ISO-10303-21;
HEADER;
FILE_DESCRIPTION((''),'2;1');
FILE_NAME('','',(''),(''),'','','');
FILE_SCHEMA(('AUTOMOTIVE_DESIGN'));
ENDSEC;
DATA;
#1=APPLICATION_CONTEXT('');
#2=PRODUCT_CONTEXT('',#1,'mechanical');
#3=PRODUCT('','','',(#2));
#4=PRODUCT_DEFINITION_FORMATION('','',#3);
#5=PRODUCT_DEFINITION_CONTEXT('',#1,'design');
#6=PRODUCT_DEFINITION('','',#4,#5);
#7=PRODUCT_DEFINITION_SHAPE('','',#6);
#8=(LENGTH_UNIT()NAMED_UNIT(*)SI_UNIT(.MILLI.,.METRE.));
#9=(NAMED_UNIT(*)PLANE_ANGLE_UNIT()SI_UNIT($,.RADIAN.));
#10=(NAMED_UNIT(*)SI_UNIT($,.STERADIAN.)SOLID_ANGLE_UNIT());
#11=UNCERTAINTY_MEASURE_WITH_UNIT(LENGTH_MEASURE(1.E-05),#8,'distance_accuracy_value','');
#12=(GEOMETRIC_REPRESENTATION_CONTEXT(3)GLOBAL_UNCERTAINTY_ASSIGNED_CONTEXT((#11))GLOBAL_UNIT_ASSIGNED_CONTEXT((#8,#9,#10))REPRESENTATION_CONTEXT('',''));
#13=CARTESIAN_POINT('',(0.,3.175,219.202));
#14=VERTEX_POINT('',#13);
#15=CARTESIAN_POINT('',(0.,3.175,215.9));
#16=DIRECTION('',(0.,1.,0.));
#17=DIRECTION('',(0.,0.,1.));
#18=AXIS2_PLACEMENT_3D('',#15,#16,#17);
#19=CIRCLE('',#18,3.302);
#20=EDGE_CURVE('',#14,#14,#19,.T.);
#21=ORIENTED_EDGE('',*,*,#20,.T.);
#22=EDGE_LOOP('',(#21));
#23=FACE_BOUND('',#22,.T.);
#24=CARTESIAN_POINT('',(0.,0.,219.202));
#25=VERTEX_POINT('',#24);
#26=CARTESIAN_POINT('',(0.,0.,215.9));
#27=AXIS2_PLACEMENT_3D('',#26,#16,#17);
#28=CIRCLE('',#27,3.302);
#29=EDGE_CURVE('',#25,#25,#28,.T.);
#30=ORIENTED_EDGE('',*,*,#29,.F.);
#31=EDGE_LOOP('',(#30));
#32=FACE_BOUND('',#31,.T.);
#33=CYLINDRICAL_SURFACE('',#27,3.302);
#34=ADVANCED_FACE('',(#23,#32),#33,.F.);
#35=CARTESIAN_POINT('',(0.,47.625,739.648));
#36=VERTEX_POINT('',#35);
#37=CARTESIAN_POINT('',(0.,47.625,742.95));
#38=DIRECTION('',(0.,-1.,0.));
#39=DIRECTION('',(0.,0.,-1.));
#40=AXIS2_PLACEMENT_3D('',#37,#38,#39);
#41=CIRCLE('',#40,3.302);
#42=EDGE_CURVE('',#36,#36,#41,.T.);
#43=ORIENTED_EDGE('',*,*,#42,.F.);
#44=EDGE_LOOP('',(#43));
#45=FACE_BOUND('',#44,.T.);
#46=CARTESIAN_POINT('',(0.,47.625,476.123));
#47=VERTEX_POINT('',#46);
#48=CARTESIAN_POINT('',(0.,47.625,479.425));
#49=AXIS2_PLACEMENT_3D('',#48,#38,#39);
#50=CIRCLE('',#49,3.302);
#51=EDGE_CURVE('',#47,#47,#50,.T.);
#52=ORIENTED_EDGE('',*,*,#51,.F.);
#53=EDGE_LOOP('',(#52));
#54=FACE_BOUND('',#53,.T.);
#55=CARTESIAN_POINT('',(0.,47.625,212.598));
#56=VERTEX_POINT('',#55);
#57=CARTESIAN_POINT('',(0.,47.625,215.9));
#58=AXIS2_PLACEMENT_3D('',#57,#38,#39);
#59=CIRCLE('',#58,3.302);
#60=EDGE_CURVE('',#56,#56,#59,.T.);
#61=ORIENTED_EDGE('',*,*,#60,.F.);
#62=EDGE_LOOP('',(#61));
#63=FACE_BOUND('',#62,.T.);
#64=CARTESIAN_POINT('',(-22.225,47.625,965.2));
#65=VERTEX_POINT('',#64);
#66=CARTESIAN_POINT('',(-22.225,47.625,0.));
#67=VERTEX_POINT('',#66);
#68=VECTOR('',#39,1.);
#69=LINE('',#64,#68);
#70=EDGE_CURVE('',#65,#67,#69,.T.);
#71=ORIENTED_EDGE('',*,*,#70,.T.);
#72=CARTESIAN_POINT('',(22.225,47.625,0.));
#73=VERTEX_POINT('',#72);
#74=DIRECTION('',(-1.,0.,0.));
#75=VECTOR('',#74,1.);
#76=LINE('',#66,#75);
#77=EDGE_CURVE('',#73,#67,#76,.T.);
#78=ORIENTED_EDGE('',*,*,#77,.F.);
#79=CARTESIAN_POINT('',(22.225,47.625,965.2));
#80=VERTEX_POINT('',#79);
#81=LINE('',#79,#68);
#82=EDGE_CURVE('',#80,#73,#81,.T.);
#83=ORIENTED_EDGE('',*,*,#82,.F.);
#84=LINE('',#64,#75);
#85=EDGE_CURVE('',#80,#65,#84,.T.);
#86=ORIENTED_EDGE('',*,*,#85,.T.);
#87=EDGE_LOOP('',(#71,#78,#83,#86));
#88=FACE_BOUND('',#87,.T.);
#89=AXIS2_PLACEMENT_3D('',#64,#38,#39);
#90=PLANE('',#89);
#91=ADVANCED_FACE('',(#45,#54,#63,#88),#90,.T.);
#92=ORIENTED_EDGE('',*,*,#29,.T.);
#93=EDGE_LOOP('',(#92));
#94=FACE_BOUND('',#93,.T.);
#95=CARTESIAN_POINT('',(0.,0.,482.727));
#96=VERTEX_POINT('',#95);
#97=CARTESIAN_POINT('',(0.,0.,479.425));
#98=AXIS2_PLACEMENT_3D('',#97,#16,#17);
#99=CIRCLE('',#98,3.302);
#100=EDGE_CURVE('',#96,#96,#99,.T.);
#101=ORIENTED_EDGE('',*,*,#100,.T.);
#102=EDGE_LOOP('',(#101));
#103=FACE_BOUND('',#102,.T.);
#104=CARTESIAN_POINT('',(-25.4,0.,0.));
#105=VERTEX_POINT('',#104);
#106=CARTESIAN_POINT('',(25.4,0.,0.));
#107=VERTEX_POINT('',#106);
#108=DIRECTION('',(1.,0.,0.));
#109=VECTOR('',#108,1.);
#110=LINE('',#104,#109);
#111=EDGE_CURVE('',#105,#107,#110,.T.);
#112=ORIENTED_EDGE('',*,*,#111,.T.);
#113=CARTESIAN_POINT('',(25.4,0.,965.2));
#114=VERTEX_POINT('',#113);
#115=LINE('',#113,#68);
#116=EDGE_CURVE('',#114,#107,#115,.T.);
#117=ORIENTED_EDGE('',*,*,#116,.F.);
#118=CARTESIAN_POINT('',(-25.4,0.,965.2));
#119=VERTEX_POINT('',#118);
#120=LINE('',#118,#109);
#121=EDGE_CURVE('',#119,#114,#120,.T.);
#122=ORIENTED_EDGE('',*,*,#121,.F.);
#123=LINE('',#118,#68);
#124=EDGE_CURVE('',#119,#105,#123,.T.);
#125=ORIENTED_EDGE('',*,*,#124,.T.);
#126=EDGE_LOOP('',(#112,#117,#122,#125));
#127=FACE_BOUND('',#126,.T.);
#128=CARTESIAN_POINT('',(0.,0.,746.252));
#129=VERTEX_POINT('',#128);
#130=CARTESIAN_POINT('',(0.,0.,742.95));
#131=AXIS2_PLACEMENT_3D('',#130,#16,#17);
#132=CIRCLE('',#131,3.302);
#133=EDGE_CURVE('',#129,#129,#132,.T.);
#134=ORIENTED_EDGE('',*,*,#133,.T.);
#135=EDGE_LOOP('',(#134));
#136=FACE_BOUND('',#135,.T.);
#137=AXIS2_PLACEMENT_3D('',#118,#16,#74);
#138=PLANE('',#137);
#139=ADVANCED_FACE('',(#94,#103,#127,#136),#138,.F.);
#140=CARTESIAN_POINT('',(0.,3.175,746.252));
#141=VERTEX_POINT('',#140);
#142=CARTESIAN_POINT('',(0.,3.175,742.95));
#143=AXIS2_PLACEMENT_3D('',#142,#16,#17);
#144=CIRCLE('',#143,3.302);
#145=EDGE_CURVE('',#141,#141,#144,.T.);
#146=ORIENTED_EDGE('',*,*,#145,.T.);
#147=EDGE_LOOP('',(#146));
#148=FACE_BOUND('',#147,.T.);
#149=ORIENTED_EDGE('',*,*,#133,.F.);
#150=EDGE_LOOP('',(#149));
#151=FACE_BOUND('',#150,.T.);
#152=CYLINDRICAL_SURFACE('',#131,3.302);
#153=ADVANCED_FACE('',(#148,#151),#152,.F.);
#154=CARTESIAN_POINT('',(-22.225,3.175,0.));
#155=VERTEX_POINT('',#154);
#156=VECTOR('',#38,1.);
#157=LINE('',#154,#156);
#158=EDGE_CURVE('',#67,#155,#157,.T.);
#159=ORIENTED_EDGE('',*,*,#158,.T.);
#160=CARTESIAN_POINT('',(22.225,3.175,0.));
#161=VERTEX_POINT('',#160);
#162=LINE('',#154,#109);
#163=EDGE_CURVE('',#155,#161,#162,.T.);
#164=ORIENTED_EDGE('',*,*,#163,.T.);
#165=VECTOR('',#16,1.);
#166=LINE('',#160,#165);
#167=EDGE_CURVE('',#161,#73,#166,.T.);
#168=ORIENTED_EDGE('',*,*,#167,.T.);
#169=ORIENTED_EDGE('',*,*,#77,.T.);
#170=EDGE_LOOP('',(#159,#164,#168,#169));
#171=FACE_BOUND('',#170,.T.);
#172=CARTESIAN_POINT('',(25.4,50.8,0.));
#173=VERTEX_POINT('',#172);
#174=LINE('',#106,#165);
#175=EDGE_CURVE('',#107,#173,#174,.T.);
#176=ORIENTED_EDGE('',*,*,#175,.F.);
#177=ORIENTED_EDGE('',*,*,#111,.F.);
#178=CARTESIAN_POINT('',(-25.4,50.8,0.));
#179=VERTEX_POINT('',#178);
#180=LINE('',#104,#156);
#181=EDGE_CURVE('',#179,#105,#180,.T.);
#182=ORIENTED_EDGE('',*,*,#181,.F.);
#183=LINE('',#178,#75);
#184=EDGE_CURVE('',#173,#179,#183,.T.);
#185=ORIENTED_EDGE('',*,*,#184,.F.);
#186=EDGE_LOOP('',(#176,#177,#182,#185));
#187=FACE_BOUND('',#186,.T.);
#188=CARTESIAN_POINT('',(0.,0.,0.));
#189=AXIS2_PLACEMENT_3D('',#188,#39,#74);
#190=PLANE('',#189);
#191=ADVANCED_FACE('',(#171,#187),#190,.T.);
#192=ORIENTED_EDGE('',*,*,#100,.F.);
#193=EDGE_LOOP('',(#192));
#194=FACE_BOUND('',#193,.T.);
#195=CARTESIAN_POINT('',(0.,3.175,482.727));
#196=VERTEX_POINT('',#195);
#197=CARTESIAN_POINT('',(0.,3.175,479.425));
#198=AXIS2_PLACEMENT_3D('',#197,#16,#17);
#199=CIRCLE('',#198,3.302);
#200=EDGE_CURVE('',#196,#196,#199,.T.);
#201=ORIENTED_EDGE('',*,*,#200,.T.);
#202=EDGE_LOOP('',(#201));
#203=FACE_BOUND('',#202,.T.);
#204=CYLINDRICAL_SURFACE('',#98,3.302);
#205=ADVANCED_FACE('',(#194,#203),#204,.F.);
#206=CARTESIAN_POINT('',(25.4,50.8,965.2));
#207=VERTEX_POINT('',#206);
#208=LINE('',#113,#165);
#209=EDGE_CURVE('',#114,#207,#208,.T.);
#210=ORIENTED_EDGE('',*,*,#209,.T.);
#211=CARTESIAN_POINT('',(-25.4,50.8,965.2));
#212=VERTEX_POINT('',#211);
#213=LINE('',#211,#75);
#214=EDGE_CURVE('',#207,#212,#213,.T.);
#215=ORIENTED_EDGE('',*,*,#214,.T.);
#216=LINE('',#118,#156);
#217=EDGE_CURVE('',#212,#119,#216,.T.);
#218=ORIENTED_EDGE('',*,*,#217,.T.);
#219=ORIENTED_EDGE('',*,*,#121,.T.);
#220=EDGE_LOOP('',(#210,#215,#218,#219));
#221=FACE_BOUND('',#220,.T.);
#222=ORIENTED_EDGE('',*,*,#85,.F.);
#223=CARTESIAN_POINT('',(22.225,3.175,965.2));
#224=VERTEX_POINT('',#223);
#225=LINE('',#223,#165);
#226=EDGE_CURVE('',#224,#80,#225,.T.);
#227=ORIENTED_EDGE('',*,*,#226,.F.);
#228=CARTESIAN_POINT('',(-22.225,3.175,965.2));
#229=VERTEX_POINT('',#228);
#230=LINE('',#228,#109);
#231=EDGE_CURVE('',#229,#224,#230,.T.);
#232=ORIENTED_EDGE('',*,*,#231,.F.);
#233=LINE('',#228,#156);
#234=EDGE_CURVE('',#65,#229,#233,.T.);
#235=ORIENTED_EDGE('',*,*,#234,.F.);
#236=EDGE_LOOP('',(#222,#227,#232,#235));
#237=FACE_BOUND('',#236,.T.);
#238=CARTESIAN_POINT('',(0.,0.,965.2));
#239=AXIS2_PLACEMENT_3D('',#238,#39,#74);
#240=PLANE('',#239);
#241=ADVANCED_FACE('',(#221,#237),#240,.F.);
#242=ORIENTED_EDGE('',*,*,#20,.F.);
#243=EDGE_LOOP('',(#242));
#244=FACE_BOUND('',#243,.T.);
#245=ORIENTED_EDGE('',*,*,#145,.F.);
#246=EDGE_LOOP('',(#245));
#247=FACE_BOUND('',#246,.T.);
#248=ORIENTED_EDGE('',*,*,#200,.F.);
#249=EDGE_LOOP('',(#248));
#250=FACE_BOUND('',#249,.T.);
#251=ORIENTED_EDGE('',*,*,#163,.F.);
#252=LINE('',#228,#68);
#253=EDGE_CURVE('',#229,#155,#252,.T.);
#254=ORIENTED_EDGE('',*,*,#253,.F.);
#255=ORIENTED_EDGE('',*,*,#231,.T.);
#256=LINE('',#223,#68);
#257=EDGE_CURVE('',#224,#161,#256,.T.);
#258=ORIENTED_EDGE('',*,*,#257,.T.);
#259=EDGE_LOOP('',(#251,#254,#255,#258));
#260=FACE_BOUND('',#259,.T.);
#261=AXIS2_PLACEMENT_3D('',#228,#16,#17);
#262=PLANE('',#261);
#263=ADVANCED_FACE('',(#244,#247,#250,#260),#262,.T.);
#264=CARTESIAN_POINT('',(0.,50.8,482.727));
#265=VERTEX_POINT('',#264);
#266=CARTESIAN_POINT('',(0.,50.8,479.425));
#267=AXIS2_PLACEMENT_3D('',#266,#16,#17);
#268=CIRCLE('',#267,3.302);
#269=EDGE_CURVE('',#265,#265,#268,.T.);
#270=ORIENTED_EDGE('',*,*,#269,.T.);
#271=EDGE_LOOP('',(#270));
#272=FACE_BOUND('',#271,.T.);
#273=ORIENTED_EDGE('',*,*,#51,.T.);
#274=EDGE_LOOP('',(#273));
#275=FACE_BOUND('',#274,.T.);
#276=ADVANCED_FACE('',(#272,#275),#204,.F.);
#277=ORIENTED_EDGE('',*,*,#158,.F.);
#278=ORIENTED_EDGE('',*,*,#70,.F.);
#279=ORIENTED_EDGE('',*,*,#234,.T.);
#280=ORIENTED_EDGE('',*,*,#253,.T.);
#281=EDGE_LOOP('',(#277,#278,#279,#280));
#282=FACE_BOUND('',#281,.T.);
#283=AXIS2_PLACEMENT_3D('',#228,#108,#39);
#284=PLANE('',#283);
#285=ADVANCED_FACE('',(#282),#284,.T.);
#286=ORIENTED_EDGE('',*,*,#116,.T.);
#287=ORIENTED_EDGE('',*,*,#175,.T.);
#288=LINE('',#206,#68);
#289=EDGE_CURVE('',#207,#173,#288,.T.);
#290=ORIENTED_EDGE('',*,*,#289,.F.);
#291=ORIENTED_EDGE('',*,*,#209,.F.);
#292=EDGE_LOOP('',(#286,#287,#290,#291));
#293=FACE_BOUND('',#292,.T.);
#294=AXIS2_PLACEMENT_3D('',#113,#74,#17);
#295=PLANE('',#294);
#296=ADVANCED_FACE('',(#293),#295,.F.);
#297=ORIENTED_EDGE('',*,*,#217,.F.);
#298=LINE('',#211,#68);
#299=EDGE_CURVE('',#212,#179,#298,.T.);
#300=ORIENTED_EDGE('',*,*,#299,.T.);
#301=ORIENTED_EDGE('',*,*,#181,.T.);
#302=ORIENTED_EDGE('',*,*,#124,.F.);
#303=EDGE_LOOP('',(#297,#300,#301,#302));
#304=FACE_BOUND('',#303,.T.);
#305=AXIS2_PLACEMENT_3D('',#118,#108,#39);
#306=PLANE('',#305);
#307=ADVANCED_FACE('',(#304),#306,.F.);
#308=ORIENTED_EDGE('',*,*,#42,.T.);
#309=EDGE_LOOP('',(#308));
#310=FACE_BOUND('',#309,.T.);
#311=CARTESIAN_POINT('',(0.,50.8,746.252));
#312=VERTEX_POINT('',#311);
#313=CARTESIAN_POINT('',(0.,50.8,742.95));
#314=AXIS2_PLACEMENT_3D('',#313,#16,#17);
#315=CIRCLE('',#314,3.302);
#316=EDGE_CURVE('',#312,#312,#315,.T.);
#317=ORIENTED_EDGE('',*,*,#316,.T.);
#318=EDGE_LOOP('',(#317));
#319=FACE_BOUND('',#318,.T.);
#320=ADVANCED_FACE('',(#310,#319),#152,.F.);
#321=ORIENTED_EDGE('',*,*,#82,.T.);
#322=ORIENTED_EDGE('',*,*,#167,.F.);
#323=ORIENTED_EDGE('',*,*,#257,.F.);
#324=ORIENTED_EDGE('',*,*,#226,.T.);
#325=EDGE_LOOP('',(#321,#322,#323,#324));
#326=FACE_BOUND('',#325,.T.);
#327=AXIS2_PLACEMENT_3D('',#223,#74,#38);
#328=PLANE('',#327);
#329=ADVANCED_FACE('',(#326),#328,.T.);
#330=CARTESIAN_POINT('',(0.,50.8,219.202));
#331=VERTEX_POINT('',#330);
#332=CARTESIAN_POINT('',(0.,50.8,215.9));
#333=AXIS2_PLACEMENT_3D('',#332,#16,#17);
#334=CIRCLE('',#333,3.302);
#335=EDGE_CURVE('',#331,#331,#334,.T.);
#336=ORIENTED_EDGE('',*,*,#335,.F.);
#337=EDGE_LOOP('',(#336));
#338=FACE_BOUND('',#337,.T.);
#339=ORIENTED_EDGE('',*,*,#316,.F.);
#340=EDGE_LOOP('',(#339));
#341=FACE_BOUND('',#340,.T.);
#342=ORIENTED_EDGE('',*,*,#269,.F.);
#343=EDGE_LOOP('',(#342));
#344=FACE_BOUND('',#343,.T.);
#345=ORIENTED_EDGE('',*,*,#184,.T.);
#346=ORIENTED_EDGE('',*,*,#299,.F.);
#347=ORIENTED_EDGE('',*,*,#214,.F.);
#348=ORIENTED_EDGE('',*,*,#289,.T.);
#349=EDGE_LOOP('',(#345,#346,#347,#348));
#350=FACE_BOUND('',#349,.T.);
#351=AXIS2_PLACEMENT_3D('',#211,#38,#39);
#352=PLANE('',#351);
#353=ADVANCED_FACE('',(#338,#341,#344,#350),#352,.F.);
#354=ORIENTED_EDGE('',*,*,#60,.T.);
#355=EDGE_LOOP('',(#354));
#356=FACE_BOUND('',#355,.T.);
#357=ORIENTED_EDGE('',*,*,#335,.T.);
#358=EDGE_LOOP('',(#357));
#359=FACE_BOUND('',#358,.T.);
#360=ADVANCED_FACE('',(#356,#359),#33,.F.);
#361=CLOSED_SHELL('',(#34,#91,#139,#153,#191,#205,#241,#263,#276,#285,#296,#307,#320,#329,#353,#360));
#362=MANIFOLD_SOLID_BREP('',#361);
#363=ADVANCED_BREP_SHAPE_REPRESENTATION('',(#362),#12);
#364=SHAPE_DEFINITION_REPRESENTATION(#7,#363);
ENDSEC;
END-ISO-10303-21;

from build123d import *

# Parameters (mm, degrees)
SKETCH1_W           = 50.8
SKETCH1_H           = 50.8
SKETCH1_W_2         = 44.45
SKETCH1_H_2         = 44.45
BOSS_EXTRUDE1_DEPTH = 965.2
SKETCH2_R           = 3.302
CUT_EXTRUDE1_DEPTH  = 51.8


with BuildPart() as part:
    # Sketch1 → Boss-Extrude1 (new body)
    with BuildSketch(Plane.XY):
        with Locations((0, 25.4)):
            Rectangle(SKETCH1_W, SKETCH1_H)
        with Locations((0, 25.4)):
            Rectangle(SKETCH1_W_2, SKETCH1_H_2, mode=Mode.SUBTRACT)
    extrude(amount=BOSS_EXTRUDE1_DEPTH)

    # Sketch2 → Cut-Extrude1 (cut, through all)
    with BuildSketch(Plane(origin=(0, 50.8, 0), x_dir=(1, 0, 0), z_dir=(0, 1, 0))):
        with Locations((0, -215.9)):
            Circle(SKETCH2_R)
        with Locations((0, -479.425)):
            Circle(SKETCH2_R)
        with Locations((0, -742.95)):
            Circle(SKETCH2_R)
    extrude(amount=-CUT_EXTRUDE1_DEPTH, mode=Mode.SUBTRACT)


solid = part.part
